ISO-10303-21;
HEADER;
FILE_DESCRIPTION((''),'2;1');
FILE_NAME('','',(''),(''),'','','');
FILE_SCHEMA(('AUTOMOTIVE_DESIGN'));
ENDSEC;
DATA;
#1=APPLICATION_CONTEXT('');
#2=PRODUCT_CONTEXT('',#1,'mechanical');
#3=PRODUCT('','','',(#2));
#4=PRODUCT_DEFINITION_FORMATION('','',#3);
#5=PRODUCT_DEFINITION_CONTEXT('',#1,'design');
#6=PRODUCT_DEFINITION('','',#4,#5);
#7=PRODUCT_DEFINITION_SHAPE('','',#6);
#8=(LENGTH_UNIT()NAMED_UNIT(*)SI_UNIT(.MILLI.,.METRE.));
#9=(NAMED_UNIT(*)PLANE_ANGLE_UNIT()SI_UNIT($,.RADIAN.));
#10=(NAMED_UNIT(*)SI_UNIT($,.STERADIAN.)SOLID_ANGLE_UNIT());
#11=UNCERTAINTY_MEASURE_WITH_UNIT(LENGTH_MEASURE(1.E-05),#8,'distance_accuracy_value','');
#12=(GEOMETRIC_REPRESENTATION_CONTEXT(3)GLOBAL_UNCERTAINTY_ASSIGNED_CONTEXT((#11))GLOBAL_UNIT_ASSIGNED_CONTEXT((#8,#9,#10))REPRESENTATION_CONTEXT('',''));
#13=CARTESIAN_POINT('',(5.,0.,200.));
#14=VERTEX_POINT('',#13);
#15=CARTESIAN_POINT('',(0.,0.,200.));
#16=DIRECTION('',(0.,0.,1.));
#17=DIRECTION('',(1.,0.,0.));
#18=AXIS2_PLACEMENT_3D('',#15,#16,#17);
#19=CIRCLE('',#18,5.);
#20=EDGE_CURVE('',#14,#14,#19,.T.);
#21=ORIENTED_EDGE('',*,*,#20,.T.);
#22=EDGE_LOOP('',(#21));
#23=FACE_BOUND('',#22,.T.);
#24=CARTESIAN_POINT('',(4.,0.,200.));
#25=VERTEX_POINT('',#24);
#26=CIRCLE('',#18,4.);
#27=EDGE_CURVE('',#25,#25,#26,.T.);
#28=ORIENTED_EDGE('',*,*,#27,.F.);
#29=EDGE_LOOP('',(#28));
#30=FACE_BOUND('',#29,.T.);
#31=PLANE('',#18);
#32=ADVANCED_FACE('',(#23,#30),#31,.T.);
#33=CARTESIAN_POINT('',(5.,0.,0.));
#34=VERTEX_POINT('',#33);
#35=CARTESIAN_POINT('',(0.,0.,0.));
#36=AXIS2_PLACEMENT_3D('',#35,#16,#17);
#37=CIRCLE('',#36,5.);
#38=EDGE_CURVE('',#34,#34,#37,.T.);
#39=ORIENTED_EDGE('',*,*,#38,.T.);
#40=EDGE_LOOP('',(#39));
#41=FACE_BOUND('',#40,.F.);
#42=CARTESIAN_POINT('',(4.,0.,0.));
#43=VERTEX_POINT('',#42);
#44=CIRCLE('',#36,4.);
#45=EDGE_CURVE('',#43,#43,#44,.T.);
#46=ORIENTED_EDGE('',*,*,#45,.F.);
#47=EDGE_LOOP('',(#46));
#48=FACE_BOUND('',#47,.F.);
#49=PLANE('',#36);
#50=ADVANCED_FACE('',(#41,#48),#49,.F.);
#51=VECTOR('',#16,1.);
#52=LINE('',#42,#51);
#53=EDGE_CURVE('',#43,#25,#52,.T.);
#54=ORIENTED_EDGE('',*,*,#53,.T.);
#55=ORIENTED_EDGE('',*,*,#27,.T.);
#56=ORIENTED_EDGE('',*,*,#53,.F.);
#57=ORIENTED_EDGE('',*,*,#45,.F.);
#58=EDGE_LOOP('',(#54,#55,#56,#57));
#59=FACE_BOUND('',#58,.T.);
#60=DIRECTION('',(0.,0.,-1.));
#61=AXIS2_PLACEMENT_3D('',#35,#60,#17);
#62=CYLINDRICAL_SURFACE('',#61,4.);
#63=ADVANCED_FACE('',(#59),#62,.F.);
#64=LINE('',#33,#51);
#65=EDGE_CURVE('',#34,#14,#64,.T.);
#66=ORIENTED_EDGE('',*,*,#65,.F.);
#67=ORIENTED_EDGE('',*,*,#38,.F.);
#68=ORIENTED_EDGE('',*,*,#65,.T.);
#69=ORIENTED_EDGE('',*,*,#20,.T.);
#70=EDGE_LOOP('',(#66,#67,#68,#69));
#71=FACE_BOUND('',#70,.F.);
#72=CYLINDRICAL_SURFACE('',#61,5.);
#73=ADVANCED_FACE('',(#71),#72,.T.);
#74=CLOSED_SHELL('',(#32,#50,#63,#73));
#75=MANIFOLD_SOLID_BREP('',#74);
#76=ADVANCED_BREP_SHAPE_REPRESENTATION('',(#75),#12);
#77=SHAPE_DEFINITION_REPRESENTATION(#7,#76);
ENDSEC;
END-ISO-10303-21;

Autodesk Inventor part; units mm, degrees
ref_plane "YZ Plane" through (0, 0, 0) normal (1, 0, 0) x (0, 1, 0)
ref_plane "XZ Plane" through (0, 0, 0) normal (0, 1, 0) x (-1, 0, 0)
ref_plane "XY Plane" through (0, 0, 0) normal (0, 0, 1) x (1, 0, 0)
sketch "Sketch1" plane through (0, 0, 0) normal (0, 0, 1) x (1, 0, 0)
  circle A0 centre (0, 0) radius 5
  circle A1 centre (0, 0) radius 4
  dimension "Shaft_DiaOut" = 10
  dimension "Shaft_DiaIn" = 8
extrude "Extrusion1" add sketch "Sketch1" along normal blind 200
properties part number "Upper_Arm_Shaft" material "Aluminum 6061"
